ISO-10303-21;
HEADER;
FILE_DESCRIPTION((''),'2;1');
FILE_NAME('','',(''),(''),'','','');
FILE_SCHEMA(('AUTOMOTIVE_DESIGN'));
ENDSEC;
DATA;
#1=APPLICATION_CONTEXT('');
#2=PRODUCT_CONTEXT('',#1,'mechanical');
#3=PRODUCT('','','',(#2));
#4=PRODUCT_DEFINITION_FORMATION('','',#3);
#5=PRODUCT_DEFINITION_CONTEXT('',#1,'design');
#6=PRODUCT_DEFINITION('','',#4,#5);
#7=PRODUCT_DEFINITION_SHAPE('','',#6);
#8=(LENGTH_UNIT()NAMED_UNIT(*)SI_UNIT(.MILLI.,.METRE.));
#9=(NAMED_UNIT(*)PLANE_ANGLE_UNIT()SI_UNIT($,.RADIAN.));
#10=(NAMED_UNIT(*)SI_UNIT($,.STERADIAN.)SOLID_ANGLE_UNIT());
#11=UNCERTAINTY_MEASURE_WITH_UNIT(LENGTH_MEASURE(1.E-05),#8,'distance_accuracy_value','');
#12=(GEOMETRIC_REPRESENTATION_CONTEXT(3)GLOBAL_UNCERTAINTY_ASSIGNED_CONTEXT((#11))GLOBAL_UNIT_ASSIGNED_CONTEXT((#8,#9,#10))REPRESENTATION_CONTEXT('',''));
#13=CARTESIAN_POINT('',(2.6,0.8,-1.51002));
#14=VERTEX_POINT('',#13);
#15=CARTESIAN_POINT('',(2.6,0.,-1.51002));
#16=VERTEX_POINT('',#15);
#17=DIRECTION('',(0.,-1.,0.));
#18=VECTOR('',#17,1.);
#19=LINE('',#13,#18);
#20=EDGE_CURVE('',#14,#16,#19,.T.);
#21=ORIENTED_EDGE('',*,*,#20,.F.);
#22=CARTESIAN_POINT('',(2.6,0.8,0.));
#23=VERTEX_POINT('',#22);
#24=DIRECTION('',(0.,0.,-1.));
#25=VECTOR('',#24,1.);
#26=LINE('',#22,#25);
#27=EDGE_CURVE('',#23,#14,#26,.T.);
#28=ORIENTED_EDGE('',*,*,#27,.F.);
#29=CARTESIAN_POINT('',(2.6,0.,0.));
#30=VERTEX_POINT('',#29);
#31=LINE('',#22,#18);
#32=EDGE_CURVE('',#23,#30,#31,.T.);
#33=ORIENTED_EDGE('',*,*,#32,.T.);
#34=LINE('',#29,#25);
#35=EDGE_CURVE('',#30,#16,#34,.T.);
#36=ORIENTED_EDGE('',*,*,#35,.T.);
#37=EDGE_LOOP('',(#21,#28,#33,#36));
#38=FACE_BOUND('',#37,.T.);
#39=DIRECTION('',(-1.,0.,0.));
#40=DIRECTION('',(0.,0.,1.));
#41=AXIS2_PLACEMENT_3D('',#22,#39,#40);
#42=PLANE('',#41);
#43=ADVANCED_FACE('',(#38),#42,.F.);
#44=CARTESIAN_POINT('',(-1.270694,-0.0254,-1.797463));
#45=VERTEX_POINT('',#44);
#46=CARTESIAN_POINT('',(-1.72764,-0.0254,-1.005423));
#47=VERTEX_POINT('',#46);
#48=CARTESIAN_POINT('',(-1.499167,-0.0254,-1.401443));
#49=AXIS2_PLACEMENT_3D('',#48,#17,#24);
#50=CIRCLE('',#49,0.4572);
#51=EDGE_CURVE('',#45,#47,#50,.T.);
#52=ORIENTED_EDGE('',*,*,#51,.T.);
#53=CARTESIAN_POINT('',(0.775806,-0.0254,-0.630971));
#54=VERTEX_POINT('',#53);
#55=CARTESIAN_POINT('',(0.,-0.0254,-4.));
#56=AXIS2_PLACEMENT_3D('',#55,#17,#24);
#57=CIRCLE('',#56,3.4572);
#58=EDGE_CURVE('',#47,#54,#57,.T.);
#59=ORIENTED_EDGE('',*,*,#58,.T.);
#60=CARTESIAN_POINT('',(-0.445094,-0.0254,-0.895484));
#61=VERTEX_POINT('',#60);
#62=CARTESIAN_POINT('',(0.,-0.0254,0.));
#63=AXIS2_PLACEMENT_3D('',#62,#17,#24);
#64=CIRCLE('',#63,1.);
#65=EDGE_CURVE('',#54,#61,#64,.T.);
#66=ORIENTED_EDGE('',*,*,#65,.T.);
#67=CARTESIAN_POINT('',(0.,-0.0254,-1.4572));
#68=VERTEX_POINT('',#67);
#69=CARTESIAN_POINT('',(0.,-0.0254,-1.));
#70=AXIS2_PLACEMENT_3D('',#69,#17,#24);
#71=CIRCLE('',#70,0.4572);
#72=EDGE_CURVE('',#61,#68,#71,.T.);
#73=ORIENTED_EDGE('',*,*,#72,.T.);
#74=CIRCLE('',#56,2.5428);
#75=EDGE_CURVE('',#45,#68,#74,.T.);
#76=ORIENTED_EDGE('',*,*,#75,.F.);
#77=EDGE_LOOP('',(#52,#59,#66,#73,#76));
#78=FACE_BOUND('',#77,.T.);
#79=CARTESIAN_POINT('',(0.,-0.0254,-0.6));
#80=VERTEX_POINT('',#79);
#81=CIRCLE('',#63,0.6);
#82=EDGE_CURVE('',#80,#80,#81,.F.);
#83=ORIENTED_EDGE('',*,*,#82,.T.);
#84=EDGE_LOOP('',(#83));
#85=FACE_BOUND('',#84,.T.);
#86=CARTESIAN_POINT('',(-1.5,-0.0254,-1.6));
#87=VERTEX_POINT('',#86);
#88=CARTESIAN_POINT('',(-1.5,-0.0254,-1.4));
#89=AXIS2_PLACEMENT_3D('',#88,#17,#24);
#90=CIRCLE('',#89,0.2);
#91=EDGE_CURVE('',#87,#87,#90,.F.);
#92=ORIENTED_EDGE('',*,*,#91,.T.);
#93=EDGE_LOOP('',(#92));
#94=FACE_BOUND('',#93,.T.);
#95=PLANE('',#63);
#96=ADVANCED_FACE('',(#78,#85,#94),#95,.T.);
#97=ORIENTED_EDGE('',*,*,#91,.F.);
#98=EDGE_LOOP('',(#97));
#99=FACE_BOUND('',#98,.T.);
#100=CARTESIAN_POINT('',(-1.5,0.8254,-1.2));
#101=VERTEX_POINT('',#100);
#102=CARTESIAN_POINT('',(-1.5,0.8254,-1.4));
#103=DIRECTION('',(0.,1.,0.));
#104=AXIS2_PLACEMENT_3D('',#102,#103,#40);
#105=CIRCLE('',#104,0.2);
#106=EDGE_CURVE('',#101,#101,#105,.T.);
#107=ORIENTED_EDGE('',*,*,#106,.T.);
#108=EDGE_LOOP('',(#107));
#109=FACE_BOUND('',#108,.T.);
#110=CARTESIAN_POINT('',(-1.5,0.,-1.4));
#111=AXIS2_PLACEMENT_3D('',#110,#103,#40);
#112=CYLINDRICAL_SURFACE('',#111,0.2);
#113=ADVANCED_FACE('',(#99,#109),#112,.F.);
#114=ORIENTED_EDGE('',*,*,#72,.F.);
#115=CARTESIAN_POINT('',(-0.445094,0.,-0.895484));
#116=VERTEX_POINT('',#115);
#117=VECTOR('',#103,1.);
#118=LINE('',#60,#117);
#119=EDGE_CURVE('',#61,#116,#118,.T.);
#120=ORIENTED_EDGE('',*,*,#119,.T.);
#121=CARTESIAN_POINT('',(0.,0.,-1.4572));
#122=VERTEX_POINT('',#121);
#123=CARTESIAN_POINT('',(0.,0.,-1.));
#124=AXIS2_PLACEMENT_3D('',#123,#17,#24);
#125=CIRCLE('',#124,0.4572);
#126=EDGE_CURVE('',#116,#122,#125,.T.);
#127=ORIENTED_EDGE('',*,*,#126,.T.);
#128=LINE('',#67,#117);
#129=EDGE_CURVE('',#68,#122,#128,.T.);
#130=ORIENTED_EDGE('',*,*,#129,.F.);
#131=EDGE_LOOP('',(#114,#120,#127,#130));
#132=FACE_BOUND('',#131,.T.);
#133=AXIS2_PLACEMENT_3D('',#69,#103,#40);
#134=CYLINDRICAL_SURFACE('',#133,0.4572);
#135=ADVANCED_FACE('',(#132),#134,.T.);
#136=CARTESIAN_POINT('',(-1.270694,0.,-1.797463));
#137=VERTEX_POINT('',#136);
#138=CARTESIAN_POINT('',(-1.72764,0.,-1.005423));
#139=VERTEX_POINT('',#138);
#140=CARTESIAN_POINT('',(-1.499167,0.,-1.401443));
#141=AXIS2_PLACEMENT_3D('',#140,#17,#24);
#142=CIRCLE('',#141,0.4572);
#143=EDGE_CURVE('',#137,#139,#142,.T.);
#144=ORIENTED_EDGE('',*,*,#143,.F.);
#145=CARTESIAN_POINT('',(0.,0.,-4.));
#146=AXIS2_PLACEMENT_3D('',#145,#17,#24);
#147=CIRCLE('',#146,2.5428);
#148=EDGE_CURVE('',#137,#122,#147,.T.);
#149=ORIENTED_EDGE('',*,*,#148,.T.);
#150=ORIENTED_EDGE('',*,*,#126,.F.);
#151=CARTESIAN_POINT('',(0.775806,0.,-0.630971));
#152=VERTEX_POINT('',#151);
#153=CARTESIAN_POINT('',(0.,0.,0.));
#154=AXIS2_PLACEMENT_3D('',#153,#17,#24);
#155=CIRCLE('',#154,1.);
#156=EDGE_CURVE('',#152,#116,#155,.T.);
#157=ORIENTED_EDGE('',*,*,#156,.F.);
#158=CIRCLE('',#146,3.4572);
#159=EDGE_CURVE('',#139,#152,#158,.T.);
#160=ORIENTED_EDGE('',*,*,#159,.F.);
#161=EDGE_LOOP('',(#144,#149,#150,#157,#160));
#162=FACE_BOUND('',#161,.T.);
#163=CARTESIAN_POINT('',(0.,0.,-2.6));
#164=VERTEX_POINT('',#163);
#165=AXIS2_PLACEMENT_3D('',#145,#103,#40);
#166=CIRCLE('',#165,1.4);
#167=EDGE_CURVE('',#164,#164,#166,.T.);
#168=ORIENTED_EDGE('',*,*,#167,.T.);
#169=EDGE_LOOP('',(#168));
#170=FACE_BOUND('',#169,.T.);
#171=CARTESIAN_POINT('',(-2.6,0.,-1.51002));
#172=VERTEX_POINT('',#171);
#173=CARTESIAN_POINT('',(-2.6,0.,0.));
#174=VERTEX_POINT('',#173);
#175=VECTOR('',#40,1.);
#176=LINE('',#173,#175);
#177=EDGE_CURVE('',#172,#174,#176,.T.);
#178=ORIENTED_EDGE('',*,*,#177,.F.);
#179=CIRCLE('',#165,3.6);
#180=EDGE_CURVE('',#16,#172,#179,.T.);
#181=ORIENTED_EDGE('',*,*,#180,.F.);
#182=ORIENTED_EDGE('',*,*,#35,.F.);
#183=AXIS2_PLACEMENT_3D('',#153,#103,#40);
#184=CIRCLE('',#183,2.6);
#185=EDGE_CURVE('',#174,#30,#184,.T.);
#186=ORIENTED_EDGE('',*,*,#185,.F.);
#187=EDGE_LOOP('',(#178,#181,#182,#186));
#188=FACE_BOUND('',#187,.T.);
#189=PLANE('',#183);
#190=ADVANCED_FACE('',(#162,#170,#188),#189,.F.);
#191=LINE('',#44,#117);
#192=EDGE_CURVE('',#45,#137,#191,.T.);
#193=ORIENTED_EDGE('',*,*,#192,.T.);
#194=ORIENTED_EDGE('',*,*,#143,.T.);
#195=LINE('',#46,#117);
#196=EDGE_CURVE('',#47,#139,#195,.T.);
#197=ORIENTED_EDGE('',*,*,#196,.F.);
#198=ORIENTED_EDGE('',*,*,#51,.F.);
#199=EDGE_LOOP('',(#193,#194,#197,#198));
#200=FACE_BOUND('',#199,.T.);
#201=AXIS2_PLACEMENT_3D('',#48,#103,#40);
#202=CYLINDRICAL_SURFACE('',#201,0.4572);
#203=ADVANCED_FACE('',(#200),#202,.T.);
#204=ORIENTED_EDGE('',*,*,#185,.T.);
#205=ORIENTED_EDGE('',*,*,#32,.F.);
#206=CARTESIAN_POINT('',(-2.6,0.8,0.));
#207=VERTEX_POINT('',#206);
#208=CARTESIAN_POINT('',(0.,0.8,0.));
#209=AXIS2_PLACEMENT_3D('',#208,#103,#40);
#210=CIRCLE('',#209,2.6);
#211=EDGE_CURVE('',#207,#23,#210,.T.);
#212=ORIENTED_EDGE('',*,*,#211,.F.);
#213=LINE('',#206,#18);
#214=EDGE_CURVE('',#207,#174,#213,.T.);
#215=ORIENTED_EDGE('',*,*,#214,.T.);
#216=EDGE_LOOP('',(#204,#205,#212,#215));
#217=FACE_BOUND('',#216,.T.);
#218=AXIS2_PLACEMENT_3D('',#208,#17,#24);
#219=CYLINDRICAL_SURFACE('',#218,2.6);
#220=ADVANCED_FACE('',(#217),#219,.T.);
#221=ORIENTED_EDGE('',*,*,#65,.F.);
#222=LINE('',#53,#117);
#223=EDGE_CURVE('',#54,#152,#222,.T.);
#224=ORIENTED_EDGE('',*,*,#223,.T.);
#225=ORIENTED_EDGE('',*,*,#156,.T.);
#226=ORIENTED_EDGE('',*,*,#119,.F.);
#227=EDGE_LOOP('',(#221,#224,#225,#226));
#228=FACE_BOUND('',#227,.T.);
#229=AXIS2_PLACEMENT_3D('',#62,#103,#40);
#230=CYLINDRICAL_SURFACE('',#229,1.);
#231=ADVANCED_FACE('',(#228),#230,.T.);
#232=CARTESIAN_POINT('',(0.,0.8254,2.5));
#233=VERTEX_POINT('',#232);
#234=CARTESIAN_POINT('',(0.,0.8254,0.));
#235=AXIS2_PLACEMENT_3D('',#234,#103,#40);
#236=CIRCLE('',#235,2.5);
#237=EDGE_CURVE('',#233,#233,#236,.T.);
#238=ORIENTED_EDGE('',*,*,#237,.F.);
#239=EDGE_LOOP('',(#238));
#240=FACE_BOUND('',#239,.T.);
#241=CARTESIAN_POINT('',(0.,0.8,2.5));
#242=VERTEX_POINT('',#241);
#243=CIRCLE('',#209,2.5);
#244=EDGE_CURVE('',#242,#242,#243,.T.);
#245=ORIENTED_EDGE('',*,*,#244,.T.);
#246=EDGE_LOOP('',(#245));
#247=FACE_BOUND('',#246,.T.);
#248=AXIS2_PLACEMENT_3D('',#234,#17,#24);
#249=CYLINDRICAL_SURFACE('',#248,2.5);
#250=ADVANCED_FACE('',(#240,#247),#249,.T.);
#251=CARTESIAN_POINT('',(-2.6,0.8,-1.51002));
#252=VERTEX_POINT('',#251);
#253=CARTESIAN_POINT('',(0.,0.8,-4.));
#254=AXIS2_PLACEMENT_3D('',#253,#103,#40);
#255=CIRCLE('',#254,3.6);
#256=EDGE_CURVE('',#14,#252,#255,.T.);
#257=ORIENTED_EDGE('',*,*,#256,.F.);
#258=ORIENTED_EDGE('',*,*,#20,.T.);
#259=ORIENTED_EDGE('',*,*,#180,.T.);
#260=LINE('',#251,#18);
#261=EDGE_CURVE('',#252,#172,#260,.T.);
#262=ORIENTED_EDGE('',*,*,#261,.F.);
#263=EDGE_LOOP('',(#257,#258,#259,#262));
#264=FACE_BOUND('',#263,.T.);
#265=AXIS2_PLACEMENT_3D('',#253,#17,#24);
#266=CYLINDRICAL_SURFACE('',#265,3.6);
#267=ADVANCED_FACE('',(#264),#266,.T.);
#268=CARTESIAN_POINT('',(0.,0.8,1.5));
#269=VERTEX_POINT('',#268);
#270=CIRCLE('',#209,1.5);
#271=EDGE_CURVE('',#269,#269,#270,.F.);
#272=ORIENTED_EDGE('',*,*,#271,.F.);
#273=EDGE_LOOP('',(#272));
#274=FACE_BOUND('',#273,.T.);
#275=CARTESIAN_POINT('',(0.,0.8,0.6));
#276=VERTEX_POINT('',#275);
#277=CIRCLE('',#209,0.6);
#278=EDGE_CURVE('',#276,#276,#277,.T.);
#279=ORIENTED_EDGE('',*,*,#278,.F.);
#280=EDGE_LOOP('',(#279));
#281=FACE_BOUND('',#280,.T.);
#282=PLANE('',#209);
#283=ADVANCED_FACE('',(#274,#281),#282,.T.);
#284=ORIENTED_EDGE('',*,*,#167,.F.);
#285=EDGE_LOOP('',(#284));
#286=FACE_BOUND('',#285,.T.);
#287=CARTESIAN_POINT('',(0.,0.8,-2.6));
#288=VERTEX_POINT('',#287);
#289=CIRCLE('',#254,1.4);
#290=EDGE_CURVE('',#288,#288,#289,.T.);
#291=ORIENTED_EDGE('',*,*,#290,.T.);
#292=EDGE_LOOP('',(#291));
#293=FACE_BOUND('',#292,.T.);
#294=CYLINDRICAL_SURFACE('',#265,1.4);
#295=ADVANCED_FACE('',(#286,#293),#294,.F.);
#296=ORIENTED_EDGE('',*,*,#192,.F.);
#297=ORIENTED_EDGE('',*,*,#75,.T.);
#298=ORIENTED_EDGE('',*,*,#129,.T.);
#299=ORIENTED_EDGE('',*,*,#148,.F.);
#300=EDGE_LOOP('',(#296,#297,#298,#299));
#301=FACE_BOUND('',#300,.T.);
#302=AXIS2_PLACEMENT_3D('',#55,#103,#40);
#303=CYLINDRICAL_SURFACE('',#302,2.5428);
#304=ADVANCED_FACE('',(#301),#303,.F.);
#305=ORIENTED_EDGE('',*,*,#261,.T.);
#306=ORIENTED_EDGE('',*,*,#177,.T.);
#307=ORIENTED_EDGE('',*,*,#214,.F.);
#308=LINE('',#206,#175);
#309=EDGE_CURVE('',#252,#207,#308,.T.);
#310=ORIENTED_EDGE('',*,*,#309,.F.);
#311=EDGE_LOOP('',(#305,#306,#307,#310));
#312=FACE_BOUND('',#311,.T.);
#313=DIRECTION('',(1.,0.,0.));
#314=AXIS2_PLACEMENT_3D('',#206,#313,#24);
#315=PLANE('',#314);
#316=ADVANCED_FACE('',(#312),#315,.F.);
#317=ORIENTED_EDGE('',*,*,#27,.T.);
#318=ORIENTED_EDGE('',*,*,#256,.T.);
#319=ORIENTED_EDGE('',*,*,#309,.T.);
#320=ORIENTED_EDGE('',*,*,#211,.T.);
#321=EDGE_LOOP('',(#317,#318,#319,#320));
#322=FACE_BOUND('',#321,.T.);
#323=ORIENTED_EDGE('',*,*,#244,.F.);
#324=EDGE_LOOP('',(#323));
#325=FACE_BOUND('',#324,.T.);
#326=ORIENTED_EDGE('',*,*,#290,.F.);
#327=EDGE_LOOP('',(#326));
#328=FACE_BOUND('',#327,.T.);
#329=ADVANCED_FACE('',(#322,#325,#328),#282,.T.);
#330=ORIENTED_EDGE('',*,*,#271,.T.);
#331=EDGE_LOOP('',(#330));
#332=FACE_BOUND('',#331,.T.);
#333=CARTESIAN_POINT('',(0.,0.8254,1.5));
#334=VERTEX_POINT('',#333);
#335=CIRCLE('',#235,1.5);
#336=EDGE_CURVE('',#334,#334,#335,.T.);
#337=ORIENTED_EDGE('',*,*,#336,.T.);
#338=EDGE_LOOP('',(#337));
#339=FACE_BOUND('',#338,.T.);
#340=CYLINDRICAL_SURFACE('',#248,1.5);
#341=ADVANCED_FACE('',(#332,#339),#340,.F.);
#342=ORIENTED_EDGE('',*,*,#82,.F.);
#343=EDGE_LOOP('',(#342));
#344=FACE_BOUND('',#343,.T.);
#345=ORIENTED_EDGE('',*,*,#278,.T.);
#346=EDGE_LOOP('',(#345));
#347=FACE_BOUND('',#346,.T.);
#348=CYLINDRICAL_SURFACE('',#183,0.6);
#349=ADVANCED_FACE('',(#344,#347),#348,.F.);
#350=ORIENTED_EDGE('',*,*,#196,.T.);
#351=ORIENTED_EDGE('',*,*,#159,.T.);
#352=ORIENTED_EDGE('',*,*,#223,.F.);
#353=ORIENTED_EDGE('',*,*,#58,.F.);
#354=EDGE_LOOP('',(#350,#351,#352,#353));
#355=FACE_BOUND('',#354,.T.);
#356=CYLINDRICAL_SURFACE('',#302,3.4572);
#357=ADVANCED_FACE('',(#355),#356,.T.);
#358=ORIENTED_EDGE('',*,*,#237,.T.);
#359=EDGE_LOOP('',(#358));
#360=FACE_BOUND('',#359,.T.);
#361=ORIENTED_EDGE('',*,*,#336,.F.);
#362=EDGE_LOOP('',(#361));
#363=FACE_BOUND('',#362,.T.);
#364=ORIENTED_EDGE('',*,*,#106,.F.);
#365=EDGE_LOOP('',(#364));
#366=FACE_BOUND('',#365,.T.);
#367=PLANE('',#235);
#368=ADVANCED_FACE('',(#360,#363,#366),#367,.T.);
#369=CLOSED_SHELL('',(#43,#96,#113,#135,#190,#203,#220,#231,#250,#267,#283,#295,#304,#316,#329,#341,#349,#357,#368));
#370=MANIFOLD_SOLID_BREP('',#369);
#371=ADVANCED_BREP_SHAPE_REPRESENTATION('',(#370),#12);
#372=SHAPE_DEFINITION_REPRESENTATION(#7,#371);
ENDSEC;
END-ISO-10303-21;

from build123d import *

# Parameters (mm, degrees)
SKETCH1_R           = 1.4
BOSS_EXTRUDE1_DEPTH = 0.8
SKETCH2_R           = 0.6
SKETCH2_R_2         = 0.2
CUT_EXTRUDE1_DEPTH  = 0.8
SKETCH3_R           = 2.5
SKETCH3_R_2         = 1.5
SKETCH3_R_3         = 0.2
BOSS_EXTRUDE2_DEPTH = 0.0254
SKETCH4_R           = 0.6
SKETCH4_R_2         = 0.2
BOSS_EXTRUDE3_DEPTH = 0.0254


with BuildPart() as part:
    # Sketch1 → Boss-Extrude1 (new body)
    with BuildSketch(Plane(origin=(0, 0, 0), x_dir=(1, 0, 0), z_dir=(0, 1, 0))):
        with BuildLine():
            Line((-2.6, 0), (-2.6, 1.51002008))
            ThreePointArc((-2.6, 1.51002008), (0, 7.6), (2.6, 1.51002008))
            Line((2.6, 1.51002008), (2.6, 0))
            ThreePointArc((2.6, 0), (0, -2.6), (-2.6, 0))
        make_face()
        with Locations(Location((0, 4, 0), (0, 0, 270))):
            Circle(SKETCH1_R, mode=Mode.SUBTRACT)
    extrude(amount=BOSS_EXTRUDE1_DEPTH)

    # Sketch2 → Cut-Extrude1 (cut)
    with BuildSketch(Plane(origin=(0, 0.8, 0), x_dir=(1, 0, 0), z_dir=(0, 1, 0))):
        with Locations(Location((0, 0, 0), (0, 0, 270))):
            Circle(SKETCH2_R)
        with Locations(Location((-1.5, 1.4, 0), (0, 0, 270))):
            Circle(SKETCH2_R_2)
    extrude(amount=-CUT_EXTRUDE1_DEPTH, mode=Mode.SUBTRACT)

    # Sketch3 → Boss-Extrude2 (add)
    with BuildSketch(Plane(origin=(0, 0.8, 0), x_dir=(1, 0, 0), z_dir=(0, 1, 0))):
        with Locations(Location((0, 0, 0), (0, 0, 270))):
            Circle(SKETCH3_R)
        with Locations(Location((0, 0, 0), (0, 0, 270))):
            Circle(SKETCH3_R_2, mode=Mode.SUBTRACT)
        with Locations(Location((-1.5, 1.4, 0), (0, 0, 270))):
            Circle(SKETCH3_R_3, mode=Mode.SUBTRACT)
    extrude(amount=BOSS_EXTRUDE2_DEPTH)

    # Sketch4 → Boss-Extrude3 (add)
    with BuildSketch(Plane.XZ):
        with BuildLine():
            ThreePointArc((-1.270694255, -1.797463292), (-1.103147311, -1.172970136), (-1.727640466, -1.005423192))
            ThreePointArc((-1.727640466, -1.005423192), (0.511420208, -7.419163817), (0.775806401, -0.63097102))
            ThreePointArc((0.775806401, -0.63097102), (-0.211741678, 0.977325668), (-0.445093544, -0.89548408))
            ThreePointArc((-0.445093544, -0.89548408), (-0.358340982, -1.283942918), (0, -1.4572))
            ThreePointArc((0, -1.4572), (0.657731518, -6.456261609), (-1.270694255, -1.797463292))
        make_face()
        with Locations(Location((0, 0, 0), (0, 0, 90))):
            Circle(SKETCH4_R, mode=Mode.SUBTRACT)
        with Locations(Location((-1.5, -1.4, 0), (0, 0, 90))):
            Circle(SKETCH4_R_2, mode=Mode.SUBTRACT)
    extrude(amount=BOSS_EXTRUDE3_DEPTH)


solid = part.part
